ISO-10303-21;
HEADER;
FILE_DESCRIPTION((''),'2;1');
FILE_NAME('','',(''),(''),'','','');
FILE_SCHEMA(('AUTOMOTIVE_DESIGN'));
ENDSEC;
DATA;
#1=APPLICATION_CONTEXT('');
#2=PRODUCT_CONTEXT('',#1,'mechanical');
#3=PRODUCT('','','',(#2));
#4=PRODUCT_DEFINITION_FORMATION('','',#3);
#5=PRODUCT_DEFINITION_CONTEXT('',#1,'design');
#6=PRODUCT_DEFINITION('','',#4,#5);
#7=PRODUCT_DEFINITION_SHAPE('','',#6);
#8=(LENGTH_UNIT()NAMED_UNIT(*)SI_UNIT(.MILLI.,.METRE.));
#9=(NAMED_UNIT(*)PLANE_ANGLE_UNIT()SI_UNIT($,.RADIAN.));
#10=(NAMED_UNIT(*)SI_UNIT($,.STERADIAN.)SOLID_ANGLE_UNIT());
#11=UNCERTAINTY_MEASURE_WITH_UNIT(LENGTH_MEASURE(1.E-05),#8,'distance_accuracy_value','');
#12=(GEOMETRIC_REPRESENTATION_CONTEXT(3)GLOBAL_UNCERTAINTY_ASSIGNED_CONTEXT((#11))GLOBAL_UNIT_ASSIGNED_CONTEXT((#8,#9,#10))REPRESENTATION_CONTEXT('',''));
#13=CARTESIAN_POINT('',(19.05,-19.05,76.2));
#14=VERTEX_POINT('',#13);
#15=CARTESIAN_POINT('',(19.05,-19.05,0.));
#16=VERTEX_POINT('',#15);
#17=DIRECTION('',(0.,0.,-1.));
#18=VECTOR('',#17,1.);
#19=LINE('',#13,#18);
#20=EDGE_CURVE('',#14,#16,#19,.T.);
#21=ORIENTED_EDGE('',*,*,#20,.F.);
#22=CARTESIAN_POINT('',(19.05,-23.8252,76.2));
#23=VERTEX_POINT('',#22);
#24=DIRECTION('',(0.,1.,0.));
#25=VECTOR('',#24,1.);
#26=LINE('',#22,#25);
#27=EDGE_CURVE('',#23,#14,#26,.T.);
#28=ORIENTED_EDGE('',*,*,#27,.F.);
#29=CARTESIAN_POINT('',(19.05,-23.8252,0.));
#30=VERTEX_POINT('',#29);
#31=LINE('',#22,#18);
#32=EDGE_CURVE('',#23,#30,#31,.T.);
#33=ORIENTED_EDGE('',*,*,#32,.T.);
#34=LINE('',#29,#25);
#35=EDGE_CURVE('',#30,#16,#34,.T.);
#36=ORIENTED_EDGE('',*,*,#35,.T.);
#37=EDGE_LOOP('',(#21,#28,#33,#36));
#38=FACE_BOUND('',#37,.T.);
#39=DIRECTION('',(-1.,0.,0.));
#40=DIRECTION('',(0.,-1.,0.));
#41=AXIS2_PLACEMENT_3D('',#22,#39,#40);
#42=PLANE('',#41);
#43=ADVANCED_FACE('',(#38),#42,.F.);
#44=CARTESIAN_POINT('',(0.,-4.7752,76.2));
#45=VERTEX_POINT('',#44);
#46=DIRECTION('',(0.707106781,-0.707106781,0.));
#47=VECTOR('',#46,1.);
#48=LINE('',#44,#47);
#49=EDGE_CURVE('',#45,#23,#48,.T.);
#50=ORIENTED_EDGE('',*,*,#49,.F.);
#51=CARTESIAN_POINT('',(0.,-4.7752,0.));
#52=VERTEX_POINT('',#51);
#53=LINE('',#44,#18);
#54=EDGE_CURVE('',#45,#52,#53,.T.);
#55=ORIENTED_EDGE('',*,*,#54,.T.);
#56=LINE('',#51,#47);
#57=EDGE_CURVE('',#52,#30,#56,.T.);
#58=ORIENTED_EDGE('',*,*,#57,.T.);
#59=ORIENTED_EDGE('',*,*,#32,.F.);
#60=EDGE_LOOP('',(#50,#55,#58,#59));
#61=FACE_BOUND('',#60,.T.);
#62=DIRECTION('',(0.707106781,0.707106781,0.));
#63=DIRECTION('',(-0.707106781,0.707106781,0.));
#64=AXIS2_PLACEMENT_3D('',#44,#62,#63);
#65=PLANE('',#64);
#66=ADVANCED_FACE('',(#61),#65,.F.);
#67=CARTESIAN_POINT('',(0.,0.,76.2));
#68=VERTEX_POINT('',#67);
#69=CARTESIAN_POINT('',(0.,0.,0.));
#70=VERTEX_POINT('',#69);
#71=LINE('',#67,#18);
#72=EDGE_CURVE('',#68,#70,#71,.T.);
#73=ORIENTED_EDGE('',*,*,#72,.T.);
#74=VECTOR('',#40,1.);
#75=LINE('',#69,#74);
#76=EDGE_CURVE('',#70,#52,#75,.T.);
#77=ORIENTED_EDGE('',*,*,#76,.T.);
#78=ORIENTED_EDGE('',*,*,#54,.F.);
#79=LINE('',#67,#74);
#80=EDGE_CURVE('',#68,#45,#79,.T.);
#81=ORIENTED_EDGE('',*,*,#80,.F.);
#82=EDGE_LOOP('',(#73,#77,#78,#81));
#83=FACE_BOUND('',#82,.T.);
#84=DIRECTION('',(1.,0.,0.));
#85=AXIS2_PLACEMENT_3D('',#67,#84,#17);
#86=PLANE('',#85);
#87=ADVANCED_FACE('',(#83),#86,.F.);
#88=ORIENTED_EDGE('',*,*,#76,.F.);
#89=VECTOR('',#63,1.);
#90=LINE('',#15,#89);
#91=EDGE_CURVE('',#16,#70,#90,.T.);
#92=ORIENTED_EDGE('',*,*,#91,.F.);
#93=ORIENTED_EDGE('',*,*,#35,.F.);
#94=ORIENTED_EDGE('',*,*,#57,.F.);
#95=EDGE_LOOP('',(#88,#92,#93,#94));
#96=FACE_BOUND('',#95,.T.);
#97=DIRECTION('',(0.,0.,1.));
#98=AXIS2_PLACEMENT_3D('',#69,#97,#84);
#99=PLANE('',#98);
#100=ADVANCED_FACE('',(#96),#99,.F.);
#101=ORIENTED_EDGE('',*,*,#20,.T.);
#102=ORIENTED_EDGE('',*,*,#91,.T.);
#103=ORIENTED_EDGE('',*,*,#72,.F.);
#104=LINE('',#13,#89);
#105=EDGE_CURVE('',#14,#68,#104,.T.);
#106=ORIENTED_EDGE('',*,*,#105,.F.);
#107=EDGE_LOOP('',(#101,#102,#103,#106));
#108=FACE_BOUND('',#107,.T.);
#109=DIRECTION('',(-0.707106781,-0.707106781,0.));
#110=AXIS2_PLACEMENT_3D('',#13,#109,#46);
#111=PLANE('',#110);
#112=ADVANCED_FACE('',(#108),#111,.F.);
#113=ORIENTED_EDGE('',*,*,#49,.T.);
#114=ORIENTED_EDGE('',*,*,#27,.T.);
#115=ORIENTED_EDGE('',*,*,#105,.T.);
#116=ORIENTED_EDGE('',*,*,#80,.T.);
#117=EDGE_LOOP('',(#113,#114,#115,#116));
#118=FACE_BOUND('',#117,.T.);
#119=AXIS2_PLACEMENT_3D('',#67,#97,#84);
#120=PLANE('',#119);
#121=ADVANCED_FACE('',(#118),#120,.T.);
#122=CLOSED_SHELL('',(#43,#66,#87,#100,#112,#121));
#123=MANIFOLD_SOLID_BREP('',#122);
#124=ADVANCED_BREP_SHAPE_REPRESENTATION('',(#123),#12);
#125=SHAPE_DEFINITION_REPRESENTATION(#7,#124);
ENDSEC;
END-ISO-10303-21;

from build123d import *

# Parameters (mm, degrees)
BOSS_EXTRUDE1_DEPTH = 76.2


with BuildPart() as part:
    # Sketch2 → Boss-Extrude1 (new body)
    with BuildSketch(Plane.XY):
        Polygon((0, 0), (0, -4.7752), (19.05, -23.8252), (19.05, -19.05), align=None)
    extrude(amount=BOSS_EXTRUDE1_DEPTH)


solid = part.part
